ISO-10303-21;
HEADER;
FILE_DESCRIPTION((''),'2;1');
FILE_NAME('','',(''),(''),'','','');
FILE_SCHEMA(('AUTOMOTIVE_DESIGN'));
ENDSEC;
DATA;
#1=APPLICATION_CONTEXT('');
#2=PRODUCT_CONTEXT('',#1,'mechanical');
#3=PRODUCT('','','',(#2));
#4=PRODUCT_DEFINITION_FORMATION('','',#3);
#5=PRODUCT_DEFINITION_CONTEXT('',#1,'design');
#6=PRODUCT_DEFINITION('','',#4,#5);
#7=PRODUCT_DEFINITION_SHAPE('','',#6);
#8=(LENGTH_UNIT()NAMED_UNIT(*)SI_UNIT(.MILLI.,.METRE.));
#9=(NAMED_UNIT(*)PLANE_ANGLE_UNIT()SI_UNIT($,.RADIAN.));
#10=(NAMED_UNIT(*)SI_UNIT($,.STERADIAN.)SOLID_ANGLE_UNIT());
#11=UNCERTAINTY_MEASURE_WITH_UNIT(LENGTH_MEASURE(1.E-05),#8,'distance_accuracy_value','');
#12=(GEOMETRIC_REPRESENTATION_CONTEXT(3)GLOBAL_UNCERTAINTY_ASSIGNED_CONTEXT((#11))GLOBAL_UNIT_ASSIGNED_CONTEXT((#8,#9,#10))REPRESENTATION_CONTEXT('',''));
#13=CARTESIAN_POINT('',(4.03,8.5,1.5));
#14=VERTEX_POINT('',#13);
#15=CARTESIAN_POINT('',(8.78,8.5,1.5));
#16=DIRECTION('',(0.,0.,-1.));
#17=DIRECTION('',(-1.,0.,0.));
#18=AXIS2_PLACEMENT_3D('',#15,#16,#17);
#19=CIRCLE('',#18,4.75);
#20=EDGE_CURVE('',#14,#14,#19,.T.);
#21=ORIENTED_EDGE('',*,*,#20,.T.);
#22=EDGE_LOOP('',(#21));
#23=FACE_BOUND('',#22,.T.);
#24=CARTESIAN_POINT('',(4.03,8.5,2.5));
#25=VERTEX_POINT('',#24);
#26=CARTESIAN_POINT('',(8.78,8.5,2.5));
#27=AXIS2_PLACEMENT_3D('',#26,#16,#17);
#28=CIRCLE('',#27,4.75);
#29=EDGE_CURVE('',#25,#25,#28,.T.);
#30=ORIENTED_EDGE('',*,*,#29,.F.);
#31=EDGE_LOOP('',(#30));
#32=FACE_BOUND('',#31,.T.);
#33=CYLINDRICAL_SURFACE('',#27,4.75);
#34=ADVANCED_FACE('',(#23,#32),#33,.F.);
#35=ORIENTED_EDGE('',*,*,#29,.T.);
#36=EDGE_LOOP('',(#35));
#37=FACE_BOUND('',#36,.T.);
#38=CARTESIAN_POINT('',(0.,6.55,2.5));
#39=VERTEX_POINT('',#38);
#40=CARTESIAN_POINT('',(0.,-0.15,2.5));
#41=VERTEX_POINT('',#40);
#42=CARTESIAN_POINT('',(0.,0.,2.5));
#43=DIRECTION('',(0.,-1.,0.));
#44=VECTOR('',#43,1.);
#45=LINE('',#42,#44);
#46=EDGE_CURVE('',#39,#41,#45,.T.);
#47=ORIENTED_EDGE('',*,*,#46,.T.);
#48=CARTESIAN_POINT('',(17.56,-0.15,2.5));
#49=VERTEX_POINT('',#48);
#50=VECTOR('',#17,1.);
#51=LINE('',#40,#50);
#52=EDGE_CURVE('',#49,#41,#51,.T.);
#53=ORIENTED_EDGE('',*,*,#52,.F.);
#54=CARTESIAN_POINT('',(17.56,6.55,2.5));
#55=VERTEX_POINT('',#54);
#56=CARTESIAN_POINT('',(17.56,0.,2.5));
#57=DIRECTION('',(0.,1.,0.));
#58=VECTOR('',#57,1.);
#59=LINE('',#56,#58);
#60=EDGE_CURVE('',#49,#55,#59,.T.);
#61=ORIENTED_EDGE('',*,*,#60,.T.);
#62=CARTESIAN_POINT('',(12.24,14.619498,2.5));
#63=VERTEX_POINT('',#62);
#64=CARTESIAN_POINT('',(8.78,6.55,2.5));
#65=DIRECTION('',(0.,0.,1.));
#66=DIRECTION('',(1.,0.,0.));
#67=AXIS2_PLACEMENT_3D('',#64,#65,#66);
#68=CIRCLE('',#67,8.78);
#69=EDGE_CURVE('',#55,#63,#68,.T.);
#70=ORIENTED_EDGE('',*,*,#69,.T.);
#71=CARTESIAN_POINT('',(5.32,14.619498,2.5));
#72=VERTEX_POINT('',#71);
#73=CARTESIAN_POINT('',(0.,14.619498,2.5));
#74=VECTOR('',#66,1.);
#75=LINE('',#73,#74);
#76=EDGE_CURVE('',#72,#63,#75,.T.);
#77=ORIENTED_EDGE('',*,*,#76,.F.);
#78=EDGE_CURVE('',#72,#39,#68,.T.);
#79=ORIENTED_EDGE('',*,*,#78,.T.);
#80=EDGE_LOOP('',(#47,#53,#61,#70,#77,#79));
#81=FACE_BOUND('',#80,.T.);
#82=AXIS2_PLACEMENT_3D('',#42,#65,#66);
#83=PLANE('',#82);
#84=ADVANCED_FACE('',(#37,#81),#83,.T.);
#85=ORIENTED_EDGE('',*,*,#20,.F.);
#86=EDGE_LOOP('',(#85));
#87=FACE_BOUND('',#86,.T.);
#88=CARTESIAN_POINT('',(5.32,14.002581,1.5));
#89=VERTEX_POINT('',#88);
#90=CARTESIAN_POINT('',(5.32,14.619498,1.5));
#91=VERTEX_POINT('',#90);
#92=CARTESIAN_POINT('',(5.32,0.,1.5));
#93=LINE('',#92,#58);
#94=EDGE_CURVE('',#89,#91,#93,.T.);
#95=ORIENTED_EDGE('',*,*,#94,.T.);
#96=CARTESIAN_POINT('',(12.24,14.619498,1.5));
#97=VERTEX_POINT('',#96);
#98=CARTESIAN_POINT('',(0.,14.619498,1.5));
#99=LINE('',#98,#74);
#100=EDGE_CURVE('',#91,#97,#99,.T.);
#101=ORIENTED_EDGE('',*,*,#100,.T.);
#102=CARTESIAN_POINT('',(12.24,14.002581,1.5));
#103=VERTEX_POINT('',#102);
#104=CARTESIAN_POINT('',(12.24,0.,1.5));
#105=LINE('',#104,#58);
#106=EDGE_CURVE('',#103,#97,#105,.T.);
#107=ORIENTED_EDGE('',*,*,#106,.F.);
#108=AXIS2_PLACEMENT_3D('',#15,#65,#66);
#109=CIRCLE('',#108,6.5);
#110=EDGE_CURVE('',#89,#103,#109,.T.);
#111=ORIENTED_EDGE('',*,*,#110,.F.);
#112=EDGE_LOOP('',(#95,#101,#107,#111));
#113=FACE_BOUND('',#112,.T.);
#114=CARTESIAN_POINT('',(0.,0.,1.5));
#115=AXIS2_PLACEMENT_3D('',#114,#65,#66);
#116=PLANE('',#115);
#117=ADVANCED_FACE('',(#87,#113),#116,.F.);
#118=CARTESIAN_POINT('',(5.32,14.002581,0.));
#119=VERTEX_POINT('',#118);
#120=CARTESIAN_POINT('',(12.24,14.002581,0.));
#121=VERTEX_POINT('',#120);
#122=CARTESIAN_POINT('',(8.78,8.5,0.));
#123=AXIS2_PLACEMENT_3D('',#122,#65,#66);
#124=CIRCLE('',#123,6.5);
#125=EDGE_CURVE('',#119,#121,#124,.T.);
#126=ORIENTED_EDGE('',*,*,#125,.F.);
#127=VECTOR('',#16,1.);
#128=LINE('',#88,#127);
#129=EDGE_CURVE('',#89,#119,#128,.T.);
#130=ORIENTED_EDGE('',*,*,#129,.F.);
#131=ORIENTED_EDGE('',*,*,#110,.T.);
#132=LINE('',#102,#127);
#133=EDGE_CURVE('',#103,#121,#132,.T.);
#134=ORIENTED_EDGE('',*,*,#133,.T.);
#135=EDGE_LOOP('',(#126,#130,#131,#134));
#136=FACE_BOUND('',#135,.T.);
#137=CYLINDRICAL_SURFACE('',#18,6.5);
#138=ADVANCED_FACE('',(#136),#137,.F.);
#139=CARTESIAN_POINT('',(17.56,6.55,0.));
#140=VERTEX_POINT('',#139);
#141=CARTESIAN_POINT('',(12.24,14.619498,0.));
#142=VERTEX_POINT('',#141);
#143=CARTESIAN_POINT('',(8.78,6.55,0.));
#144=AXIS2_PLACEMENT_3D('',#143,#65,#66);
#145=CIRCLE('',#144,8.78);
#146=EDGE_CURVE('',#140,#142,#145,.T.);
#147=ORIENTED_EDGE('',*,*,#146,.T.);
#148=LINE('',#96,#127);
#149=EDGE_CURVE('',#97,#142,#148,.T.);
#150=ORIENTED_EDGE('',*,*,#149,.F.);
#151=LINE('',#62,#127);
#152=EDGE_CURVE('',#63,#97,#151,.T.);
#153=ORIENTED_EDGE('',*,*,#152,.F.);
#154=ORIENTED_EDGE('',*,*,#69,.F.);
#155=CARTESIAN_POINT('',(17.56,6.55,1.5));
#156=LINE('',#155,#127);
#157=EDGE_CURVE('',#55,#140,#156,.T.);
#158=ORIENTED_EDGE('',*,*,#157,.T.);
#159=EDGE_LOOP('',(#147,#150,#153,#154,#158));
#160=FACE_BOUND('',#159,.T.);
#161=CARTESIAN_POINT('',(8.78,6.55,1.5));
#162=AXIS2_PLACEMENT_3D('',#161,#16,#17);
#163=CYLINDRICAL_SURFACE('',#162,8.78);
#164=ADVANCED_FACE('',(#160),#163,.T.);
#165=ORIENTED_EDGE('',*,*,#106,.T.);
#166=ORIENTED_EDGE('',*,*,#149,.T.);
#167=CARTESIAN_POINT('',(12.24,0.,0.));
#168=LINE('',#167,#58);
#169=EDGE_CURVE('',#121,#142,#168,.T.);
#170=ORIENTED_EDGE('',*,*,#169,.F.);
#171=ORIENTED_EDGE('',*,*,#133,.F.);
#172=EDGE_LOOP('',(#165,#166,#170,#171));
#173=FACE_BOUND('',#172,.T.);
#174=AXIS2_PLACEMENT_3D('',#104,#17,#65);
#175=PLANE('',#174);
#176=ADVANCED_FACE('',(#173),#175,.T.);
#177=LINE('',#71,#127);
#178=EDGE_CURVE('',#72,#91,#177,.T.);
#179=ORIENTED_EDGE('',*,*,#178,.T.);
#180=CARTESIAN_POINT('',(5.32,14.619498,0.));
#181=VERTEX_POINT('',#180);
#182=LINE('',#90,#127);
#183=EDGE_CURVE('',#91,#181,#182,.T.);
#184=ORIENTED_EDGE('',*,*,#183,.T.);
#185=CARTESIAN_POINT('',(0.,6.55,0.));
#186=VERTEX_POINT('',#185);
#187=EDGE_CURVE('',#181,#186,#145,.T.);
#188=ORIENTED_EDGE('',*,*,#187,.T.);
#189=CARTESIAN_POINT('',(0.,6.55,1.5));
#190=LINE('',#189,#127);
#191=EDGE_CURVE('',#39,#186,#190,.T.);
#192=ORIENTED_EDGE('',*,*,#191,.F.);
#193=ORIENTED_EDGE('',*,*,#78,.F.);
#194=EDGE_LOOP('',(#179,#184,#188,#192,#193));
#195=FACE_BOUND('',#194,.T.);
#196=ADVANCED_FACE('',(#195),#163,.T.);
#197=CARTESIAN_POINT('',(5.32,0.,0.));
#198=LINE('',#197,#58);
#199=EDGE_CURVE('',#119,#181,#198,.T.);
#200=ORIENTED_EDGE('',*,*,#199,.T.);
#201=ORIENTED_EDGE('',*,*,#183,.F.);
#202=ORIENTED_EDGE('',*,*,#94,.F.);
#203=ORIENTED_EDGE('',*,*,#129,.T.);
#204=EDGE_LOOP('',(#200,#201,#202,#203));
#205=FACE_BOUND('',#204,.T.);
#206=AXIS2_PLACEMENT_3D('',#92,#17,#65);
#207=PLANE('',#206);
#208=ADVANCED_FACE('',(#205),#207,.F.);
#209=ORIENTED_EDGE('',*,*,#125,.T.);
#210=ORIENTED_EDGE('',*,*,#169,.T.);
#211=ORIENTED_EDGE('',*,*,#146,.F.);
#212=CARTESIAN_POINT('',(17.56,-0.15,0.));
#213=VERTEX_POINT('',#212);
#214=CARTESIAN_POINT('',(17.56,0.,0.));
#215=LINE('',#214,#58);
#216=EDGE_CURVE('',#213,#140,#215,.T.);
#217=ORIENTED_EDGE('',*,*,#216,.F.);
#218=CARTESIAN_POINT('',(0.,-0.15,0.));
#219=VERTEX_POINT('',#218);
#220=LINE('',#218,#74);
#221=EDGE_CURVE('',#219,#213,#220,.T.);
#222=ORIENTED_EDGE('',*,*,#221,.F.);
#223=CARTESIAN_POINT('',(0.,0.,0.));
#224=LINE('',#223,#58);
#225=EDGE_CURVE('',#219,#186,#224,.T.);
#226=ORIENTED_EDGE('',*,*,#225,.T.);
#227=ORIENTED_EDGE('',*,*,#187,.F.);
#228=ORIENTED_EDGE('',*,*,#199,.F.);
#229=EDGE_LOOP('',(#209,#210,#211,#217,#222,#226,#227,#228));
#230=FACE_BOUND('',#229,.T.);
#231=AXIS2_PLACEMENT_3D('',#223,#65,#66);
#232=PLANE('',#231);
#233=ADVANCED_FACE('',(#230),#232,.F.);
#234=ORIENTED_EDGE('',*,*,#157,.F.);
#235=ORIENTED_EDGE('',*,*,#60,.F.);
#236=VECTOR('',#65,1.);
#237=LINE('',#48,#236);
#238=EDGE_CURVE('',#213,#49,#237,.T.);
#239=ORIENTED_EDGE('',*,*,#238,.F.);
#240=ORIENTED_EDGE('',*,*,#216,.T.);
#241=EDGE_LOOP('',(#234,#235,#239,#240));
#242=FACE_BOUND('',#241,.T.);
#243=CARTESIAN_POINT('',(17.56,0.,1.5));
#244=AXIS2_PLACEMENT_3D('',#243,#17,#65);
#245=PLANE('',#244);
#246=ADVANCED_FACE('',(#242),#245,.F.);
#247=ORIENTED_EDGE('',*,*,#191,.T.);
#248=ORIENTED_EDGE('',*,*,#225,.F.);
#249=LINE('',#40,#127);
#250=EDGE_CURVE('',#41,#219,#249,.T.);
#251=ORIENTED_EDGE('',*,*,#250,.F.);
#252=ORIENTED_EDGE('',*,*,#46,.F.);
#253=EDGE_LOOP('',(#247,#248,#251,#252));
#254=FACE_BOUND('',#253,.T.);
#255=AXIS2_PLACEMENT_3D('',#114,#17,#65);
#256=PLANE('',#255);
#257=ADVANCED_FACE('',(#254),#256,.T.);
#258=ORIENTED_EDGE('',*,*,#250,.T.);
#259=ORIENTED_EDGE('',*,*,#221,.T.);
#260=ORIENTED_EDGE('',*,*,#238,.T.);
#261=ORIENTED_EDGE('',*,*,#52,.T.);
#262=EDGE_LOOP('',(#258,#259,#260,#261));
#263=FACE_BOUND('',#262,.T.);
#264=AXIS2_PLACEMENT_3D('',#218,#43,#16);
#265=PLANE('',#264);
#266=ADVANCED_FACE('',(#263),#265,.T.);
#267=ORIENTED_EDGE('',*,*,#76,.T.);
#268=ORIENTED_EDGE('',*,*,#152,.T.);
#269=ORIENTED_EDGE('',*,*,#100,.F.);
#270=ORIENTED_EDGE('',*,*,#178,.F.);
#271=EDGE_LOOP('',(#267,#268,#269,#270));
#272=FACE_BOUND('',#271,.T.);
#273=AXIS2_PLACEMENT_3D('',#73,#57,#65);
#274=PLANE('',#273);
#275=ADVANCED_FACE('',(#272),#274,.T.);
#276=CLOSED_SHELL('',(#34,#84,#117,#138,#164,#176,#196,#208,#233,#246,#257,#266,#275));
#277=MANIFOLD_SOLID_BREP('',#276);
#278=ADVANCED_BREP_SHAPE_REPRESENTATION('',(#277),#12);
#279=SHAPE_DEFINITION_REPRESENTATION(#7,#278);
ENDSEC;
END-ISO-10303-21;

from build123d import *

# Parameters (mm, degrees)
BOSS_EXTRUDE1_DEPTH = 1.5
BOSS_EXTRUDE2_DEPTH = 1
SKETCH4_R           = 4.75
CUT_EXTRUDE1_DEPTH  = 23.898325822
SKETCH5_W           = 17.56
SKETCH5_H           = 2.5
BOSS_EXTRUDE3_DEPTH = 0.15


with BuildPart() as part:
    # Sketch1 → Boss-Extrude1 (new body)
    with BuildSketch(Plane.XY):
        with BuildLine():
            ThreePointArc((14.980604809, 6.55), (8.78, 2), (2.579395191, 6.55))
            Line((2.579395191, 6.55), (0, 6.55))
            Line((0, 6.55), (0, 0))
            Line((0, 0), (17.56, 0))
            Line((17.56, 0), (17.56, 6.55))
            Line((17.56, 6.55), (14.980604809, 6.55))
        make_face()
        with BuildLine():
            ThreePointArc((2.579395191, 6.55), (2.679421093, 10.743420825), (5.32, 14.002581212))
            Line((5.32, 14.002581212), (5.32, 14.619498126))
            ThreePointArc((5.32, 14.619498126), (1.449679407, 11.382680416), (0, 6.55))
            Line((0, 6.55), (2.579395191, 6.55))
        make_face()
        with BuildLine():
            ThreePointArc((12.24, 14.002581212), (14.880578907, 10.743420825), (14.980604809, 6.55))
            Line((14.980604809, 6.55), (17.56, 6.55))
            ThreePointArc((17.56, 6.55), (16.110320593, 11.382680416), (12.24, 14.619498126))
            Line((12.24, 14.619498126), (12.24, 14.002581212))
        make_face()
    extrude(amount=BOSS_EXTRUDE1_DEPTH)

    # Sketch3 → Boss-Extrude2 (add)
    with BuildSketch(Plane.XY.offset(1.5)):
        with BuildLine():
            Line((12.24, 14.619498126), (12.24, 14.002581212))
            ThreePointArc((12.24, 14.002581212), (8.78, 2), (5.32, 14.002581212))
            Line((5.32, 14.002581212), (5.32, 14.619498126))
            ThreePointArc((5.32, 14.619498126), (1.449679407, 11.382680416), (0, 6.55))
            Line((0, 6.55), (0, 0))
            Line((0, 0), (17.56, 0))
            Line((17.56, 0), (17.56, 6.55))
            ThreePointArc((17.56, 6.55), (16.110320593, 11.382680416), (12.24, 14.619498126))
        make_face()
        with BuildLine():
            Line((5.32, 14.619498126), (12.24, 14.619498126))
            Line((12.24, 14.619498126), (12.24, 14.002581212))
            ThreePointArc((12.24, 14.002581212), (8.78, 2), (5.32, 14.002581212))
            Line((5.32, 14.002581212), (5.32, 14.619498126))
        make_face()
    extrude(amount=BOSS_EXTRUDE2_DEPTH)

    # Sketch4 → Cut-Extrude1 (cut, through all)
    with BuildSketch(Plane(origin=(0, 0, 1.5), x_dir=(-1, 0, 0), z_dir=(0, 0, -1))):
        with Locations((-8.78, 8.5)):
            Circle(SKETCH4_R)
    extrude(amount=-CUT_EXTRUDE1_DEPTH, mode=Mode.SUBTRACT)

    # Sketch5 → Boss-Extrude3 (add)
    with BuildSketch(Plane.XZ):
        with Locations((8.78, 1.25)):
            Rectangle(SKETCH5_W, SKETCH5_H)
    extrude(amount=BOSS_EXTRUDE3_DEPTH)


solid = part.part
